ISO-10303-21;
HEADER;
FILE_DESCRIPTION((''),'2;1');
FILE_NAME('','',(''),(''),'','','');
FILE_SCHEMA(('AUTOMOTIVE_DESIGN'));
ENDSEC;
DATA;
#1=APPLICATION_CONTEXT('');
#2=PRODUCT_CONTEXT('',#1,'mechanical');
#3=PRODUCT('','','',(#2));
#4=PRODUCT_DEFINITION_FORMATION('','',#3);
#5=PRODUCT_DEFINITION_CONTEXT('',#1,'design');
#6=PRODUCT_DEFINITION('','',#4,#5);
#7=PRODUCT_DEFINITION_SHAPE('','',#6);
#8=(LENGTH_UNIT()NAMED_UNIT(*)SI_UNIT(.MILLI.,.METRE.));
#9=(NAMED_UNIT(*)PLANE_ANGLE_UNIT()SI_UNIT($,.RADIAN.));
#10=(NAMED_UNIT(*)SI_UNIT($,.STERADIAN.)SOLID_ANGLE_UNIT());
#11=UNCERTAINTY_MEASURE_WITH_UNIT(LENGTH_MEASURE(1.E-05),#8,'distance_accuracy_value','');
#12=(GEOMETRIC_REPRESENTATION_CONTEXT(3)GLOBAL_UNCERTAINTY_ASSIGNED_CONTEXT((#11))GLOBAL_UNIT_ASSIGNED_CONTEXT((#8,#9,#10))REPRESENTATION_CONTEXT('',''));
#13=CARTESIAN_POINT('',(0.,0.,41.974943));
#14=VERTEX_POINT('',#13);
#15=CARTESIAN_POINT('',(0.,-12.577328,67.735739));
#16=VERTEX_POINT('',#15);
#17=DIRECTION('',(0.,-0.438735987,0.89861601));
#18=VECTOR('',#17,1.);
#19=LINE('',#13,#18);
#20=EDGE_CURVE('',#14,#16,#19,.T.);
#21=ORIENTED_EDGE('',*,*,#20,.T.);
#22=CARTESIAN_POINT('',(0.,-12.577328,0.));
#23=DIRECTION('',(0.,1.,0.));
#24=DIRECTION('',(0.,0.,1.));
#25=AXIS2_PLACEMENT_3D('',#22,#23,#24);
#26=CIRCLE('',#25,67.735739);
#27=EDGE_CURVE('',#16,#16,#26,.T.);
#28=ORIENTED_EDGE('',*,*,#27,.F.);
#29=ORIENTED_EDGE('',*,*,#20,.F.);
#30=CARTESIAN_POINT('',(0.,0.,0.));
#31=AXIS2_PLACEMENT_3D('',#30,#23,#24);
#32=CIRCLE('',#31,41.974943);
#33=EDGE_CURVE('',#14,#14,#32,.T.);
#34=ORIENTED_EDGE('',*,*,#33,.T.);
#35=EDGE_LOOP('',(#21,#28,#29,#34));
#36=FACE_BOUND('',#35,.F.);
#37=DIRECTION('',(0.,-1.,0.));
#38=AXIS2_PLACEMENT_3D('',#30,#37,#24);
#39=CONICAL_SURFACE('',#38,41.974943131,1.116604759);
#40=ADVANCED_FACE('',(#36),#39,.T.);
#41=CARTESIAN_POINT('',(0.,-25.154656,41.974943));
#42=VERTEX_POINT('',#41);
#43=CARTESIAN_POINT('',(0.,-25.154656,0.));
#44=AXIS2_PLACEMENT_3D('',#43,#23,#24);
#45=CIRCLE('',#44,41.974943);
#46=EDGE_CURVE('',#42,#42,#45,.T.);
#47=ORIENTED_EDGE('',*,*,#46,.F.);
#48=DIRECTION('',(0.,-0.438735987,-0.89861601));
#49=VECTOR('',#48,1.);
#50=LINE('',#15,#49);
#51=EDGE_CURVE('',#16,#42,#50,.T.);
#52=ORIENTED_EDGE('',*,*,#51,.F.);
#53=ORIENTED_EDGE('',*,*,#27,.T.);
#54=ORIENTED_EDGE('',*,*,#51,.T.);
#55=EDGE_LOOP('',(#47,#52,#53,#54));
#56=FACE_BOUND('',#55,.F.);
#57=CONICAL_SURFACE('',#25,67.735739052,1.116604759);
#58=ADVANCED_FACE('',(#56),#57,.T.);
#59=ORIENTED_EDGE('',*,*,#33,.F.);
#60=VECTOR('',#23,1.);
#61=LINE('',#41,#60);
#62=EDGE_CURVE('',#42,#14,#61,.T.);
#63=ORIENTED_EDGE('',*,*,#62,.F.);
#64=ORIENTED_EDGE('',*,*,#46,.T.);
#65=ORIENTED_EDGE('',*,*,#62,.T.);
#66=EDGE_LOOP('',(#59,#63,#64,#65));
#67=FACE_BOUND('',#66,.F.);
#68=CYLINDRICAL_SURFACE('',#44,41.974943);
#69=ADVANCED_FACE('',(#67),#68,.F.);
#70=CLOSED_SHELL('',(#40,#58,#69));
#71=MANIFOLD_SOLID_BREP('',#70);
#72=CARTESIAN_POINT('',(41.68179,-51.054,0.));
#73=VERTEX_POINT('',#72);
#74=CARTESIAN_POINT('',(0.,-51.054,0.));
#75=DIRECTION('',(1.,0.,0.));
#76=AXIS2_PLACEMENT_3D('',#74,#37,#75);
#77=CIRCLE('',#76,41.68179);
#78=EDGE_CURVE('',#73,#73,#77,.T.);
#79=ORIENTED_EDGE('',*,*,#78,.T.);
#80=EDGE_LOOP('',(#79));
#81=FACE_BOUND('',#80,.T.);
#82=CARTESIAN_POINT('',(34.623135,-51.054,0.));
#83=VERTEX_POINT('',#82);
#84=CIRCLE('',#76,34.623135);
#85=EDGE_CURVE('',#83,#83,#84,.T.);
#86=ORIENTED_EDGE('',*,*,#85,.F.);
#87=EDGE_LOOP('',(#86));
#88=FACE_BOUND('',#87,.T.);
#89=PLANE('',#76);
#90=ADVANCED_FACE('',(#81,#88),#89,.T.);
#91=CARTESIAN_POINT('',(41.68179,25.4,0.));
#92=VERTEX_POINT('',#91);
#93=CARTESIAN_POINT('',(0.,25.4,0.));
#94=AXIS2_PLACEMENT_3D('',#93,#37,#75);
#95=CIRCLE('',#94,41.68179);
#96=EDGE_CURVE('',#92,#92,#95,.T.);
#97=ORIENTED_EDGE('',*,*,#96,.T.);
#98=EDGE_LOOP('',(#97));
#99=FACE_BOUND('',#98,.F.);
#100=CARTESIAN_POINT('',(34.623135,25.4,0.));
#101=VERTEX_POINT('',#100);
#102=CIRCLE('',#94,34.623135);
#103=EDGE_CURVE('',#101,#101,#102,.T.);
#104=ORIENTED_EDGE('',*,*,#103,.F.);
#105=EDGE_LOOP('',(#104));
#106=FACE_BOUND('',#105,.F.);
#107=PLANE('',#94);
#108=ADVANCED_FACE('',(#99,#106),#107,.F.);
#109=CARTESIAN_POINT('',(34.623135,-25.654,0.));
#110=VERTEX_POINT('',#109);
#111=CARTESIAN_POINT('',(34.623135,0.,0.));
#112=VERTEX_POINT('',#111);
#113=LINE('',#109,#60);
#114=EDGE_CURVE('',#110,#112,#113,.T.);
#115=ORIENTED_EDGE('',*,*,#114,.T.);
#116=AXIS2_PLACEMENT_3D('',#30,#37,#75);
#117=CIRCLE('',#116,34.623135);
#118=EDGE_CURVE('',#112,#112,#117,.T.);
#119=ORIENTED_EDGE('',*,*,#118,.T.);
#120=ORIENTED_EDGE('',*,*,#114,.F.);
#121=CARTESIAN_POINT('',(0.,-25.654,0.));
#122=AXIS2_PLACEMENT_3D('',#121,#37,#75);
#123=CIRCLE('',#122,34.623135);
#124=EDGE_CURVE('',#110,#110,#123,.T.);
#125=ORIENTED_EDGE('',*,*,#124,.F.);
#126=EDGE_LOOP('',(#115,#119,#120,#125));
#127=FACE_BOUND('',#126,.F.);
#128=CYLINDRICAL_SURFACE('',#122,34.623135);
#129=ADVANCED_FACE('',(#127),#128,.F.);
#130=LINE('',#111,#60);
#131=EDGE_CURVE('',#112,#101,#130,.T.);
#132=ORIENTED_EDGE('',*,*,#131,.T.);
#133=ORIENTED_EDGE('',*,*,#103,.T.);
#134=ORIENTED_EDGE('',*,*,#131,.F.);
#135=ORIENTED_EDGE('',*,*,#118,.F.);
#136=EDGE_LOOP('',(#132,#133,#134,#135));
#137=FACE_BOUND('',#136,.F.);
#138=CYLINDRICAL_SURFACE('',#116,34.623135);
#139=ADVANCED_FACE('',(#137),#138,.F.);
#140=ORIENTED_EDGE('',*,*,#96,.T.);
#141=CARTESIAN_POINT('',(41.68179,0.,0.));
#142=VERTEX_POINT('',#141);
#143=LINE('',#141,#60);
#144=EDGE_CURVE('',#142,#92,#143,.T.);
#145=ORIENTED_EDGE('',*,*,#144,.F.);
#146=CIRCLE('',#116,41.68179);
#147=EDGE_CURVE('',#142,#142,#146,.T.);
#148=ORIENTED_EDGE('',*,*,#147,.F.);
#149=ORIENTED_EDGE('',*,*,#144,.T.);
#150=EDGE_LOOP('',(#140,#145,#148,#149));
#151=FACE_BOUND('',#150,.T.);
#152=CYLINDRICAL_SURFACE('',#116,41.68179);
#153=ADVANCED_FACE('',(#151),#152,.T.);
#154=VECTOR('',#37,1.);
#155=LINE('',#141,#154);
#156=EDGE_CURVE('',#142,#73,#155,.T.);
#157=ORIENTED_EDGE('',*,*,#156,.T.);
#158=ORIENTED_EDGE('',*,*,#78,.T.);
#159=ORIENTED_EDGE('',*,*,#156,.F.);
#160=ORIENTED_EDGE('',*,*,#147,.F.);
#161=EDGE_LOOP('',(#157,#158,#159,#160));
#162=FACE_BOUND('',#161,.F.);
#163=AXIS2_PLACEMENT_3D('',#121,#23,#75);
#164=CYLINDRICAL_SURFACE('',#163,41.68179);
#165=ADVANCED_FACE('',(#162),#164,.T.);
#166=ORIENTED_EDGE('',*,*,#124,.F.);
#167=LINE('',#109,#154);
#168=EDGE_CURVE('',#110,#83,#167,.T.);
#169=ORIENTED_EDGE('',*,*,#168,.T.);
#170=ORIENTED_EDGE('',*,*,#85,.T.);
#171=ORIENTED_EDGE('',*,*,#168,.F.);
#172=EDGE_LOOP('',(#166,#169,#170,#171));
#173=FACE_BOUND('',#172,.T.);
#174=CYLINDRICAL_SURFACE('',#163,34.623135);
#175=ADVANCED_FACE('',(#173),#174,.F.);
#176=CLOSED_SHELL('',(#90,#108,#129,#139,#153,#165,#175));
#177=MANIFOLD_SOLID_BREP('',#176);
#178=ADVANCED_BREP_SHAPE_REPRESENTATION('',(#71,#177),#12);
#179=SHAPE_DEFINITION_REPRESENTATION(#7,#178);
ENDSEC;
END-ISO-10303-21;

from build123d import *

# Parameters (mm, degrees)
F0_R     = 41.6817896179
F1_DEPTH = 25.654
F2_R     = 34.6231350924
F3_DEPTH = 155.448
F6_DEPTH = 25.4
F7_DEPTH = 25.4


with BuildPart() as f1:
    # F0 (on Front) → F1 (new body)
    with BuildSketch(Plane.XZ):
        Circle(F0_R)
    extrude(amount=F1_DEPTH)

    # F2 (on face) → F3 (cut)
    with BuildSketch(Plane.XZ.offset(25.654)):
        Circle(F2_R)
    extrude(amount=-F3_DEPTH, mode=Mode.SUBTRACT)

    # F6 (add): a face of the model
    f6_faces = [f1.faces().sort_by_distance(p)[0] for p in [
        (-40.5028505742, -25.654, 0),
    ]]
    extrude(f6_faces, amount=F6_DEPTH)

    # F7 (add): a face of the model
    f7_faces = [f1.faces().sort_by_distance(p)[0] for p in [
        (-40.5028505742, 0, 0),
    ]]
    extrude(f7_faces, amount=F7_DEPTH)


with BuildPart() as f5:
    # F4 (on Right) → F5 (revolve)
    with BuildSketch(Plane.YZ):
        Polygon((-25.1546557993, 41.9749431312), (0, 41.9749431312), (-12.5773278996, 67.7357390523), align=None)
    revolve(axis=Axis((0, 0, 0), (0, 1, 0)))


solid = Compound([f1.part, f5.part])
